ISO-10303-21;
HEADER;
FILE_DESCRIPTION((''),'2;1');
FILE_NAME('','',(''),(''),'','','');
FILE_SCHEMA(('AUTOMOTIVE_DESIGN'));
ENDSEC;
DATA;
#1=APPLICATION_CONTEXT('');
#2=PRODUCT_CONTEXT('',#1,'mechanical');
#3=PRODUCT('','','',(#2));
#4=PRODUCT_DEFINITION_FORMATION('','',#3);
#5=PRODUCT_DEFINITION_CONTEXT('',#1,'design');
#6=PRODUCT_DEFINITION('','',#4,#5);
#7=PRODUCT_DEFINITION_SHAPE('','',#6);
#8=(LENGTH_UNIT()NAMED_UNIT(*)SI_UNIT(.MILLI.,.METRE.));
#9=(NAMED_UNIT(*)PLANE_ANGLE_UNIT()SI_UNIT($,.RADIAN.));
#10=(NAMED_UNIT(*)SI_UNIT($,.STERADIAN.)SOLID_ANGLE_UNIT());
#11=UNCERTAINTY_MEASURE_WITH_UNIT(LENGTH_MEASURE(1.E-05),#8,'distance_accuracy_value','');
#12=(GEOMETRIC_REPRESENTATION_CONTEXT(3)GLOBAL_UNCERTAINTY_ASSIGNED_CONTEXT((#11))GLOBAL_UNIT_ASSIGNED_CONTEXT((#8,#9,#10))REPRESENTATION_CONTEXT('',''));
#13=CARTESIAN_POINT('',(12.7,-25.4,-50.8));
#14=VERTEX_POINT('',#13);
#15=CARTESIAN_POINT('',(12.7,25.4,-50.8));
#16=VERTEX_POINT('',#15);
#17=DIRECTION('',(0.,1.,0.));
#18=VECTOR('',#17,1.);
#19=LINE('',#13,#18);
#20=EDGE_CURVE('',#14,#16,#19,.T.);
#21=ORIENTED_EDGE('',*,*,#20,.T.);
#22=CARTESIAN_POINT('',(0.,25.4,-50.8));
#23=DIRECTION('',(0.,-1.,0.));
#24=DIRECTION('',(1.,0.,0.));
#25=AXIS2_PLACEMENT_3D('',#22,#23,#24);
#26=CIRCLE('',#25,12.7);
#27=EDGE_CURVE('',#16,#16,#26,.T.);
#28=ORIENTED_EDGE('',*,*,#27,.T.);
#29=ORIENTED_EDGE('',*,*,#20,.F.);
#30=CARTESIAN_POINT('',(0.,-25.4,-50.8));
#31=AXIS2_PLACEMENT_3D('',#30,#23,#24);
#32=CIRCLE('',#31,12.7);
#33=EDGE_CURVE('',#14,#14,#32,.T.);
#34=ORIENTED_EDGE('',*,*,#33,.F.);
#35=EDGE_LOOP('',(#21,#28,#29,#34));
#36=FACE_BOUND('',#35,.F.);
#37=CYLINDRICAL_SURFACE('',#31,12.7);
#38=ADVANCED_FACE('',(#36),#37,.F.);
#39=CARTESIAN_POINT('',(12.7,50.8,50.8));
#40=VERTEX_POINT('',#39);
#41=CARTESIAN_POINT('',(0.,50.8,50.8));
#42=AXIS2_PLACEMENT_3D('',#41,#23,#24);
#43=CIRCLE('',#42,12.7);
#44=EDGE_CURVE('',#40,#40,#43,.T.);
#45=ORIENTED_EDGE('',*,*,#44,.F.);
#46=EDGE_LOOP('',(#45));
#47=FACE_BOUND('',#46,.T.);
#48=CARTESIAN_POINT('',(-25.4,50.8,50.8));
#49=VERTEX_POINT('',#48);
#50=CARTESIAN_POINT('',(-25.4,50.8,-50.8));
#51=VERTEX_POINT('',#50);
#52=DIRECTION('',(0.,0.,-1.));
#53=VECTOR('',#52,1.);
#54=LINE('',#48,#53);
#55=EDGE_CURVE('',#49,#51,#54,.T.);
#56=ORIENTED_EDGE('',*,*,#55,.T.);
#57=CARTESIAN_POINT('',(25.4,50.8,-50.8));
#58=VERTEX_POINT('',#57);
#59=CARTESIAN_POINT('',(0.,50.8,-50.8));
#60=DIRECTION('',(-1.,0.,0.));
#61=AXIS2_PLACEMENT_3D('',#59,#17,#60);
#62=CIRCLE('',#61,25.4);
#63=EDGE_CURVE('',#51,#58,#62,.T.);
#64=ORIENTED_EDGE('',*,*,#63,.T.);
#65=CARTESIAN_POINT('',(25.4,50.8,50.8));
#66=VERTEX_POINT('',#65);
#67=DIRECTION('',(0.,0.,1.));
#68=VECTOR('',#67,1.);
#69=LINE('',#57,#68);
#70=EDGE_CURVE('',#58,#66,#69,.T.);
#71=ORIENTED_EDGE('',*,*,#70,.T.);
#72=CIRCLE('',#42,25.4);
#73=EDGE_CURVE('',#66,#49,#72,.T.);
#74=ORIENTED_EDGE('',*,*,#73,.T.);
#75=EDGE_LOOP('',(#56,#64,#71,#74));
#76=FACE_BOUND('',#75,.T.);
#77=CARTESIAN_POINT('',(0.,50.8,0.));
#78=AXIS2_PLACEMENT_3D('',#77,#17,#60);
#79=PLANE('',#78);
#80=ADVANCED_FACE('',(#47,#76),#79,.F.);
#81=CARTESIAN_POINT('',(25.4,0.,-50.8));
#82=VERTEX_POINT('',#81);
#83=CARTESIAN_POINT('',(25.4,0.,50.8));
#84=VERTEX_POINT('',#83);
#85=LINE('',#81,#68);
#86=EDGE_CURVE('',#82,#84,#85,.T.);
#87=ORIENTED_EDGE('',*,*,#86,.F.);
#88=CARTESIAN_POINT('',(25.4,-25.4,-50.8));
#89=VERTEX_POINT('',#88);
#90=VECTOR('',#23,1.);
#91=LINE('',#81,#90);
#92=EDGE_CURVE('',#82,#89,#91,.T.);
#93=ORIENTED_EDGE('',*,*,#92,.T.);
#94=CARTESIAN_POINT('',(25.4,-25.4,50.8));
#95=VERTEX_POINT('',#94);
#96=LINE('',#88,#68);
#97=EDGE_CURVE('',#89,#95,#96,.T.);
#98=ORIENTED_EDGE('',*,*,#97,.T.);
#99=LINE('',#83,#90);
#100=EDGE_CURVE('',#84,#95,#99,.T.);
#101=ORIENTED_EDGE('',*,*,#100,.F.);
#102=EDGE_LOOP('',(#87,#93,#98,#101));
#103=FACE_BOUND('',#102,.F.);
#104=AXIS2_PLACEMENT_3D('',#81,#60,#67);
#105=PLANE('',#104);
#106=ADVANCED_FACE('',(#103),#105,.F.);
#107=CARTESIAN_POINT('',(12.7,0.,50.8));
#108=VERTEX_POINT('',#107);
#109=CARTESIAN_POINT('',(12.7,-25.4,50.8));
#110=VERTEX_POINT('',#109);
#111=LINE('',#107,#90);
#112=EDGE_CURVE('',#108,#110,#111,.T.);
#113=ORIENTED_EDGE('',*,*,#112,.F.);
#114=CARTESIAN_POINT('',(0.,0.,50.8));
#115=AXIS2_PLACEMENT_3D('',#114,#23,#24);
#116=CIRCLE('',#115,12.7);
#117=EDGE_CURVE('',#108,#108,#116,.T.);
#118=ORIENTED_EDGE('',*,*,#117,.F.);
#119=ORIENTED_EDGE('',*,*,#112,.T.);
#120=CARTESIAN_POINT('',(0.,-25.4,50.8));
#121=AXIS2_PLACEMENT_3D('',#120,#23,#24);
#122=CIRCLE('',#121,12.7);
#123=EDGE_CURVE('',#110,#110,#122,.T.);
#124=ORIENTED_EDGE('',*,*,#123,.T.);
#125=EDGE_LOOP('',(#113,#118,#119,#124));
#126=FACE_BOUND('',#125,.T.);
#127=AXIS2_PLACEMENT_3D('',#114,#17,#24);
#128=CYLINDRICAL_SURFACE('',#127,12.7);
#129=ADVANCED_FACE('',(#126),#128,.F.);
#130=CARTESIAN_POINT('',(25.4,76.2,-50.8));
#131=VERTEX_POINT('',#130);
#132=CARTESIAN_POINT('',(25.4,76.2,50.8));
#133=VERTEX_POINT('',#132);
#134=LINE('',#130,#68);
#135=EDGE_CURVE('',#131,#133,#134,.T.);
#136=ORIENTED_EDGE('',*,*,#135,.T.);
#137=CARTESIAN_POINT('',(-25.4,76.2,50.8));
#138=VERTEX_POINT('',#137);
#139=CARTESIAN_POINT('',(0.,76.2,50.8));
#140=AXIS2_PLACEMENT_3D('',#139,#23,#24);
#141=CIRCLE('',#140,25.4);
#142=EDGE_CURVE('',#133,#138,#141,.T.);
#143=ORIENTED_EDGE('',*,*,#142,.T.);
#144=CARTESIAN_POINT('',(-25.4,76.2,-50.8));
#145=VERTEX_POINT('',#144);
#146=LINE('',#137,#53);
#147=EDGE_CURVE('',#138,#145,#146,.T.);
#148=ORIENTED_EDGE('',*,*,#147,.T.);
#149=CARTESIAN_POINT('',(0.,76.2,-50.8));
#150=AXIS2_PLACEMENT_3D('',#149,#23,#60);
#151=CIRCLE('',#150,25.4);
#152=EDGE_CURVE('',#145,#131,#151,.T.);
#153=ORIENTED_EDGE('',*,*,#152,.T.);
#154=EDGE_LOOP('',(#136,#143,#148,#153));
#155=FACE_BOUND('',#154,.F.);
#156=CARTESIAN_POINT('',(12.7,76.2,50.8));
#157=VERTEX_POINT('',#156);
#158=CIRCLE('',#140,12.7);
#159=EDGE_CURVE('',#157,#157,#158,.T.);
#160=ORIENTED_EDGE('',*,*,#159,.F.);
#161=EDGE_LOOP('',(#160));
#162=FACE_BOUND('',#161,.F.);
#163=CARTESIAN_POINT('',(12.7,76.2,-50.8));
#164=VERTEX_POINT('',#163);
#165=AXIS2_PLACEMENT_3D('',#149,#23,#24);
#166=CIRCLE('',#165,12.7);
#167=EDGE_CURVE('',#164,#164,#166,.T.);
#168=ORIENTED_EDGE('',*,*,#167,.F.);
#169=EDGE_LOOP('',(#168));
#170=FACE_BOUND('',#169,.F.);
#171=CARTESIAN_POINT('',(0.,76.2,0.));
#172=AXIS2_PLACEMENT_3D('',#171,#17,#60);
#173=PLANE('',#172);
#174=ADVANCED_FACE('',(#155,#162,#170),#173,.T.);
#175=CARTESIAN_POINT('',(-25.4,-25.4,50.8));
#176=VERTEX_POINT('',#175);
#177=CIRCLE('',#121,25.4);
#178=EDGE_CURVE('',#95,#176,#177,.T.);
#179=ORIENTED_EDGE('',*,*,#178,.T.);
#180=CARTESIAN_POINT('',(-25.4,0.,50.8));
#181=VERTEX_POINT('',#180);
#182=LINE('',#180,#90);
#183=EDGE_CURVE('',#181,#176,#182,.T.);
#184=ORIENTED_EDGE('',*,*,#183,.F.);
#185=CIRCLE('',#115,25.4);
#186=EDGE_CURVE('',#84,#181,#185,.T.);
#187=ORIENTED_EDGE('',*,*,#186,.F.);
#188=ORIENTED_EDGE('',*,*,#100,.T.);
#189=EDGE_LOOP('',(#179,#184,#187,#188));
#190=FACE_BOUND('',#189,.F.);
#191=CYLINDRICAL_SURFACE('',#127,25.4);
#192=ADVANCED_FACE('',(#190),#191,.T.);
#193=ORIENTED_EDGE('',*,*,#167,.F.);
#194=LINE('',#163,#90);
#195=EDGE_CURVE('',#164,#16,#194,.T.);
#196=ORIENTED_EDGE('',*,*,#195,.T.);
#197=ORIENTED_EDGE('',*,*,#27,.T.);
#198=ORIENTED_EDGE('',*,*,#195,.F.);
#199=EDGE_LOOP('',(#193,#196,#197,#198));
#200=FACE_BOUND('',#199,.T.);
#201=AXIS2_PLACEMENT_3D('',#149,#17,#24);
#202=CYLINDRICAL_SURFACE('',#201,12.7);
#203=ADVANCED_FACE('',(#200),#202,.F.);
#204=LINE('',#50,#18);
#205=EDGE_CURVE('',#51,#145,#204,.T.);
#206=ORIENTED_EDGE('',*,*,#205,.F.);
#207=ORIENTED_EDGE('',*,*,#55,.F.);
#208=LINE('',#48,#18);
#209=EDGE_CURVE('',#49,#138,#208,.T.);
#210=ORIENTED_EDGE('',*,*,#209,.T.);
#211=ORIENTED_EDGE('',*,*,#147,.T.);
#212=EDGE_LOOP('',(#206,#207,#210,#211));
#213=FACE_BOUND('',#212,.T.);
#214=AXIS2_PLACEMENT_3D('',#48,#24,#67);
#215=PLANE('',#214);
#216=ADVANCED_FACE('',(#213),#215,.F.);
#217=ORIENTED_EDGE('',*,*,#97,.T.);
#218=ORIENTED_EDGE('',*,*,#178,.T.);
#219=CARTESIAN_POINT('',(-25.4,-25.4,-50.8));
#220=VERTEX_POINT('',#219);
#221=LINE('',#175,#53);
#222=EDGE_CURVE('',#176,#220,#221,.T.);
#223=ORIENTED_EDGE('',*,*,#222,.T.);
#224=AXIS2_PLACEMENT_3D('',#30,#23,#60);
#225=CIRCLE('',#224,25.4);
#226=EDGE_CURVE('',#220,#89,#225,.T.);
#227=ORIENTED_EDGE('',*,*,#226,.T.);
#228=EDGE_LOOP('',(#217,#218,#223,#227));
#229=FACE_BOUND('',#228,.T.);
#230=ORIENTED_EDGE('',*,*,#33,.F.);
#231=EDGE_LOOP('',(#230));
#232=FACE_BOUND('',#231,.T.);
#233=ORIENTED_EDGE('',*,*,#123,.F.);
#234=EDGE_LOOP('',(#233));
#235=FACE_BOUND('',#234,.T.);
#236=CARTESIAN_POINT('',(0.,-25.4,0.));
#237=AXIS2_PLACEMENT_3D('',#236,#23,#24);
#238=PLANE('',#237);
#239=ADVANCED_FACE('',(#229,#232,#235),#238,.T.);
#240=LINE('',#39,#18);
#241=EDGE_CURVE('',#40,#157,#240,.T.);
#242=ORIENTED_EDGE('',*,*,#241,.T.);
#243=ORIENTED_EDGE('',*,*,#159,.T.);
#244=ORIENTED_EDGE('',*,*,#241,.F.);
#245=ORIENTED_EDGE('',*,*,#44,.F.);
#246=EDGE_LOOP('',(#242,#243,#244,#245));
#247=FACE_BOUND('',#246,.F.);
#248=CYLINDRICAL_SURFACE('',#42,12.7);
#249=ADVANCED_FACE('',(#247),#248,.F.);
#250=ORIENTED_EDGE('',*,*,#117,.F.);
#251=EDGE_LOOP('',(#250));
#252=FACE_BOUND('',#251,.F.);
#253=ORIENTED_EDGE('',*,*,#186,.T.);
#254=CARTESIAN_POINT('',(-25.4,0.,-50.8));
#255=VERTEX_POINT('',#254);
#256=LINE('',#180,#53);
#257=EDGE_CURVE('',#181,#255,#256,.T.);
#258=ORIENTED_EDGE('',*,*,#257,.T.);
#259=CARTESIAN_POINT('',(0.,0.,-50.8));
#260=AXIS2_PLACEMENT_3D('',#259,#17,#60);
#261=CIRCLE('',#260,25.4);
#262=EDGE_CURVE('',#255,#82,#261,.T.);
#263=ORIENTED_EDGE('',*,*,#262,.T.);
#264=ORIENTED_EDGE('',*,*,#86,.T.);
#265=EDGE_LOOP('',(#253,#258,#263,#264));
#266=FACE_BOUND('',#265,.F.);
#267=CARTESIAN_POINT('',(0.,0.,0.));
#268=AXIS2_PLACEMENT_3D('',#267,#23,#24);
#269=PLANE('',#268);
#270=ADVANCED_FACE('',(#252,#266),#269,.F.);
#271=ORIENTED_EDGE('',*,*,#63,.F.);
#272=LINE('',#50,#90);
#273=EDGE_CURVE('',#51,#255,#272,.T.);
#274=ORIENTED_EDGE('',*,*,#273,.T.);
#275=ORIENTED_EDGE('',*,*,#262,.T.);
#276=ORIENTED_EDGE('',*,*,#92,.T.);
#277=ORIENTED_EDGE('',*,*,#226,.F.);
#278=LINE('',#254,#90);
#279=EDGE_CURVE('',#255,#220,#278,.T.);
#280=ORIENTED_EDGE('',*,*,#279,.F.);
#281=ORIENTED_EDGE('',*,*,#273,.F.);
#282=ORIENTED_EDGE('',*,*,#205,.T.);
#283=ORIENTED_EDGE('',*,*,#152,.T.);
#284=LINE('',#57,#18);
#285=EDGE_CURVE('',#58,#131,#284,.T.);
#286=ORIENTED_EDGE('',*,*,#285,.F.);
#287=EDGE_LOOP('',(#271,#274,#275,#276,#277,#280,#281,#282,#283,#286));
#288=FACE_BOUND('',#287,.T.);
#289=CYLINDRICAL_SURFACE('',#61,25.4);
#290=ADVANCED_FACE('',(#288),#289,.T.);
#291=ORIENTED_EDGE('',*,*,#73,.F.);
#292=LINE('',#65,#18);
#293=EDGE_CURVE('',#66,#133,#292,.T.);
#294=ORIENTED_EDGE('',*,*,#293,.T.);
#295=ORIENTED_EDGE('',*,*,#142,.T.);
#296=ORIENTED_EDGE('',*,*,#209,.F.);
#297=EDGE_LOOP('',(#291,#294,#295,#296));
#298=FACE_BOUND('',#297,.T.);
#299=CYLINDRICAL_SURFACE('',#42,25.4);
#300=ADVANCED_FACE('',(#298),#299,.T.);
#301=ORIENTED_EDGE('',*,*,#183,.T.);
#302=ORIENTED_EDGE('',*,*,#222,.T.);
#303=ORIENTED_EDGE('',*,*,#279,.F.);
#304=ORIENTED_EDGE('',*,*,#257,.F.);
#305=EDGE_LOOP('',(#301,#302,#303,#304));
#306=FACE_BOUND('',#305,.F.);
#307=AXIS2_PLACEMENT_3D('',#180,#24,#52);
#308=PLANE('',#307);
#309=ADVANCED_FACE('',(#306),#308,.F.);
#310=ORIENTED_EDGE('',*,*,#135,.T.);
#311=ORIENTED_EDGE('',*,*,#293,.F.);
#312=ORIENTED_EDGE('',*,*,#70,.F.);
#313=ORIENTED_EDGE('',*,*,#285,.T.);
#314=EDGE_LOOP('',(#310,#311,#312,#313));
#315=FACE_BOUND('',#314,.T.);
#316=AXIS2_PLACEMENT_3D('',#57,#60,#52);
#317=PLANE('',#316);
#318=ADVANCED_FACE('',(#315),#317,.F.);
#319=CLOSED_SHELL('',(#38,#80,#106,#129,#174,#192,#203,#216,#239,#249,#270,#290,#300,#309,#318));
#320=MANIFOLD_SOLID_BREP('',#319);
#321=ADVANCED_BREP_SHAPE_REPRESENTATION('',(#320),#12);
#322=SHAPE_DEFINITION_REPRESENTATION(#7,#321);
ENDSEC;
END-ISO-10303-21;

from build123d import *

# Parameters (mm, degrees)
F0_R     = 12.7
F1_DEPTH = 25.4
F2_R     = 25.4
F3_DEPTH = 25.4
F4_R     = 12.7
F5_DEPTH = 50.801


with BuildPart() as f1:
    # F0 (on Front) → F1 (new body)
    with BuildSketch(Plane.XZ):
        with BuildLine():
            ThreePointArc((25.4, 50.8), (0, 76.2), (-25.4, 50.8))
            Line((-25.4, 50.8), (-25.4, -50.8))
            ThreePointArc((-25.4, -50.8), (0, -76.2), (25.4, -50.8))
            Line((25.4, -50.8), (25.4, 50.8))
        make_face()
        with Locations((0, -50.8)):
            Circle(F0_R, mode=Mode.SUBTRACT)
        with Locations((0, 50.8)):
            Circle(F0_R, mode=Mode.SUBTRACT)
    extrude(amount=F1_DEPTH)

    # F2 (on face) → F3 (join)
    with BuildSketch(Plane(origin=(0, 0, 0), x_dir=(-1, 0, 0), z_dir=(0, 1, 0))):
        with Locations((0, -50.8)):
            Circle(F2_R)
    extrude(amount=F3_DEPTH)

    # F4 (on face) → F5 (cut, through all)
    with BuildSketch(Plane.XZ.offset(25.4)):
        with Locations((0, -50.8)):
            Circle(F4_R)
    extrude(amount=-F5_DEPTH, mode=Mode.SUBTRACT)

    # F6: F1 across face


with BuildPart() as f1_1:
    add(f1.part)
    add(f1.part.mirror(Plane(origin=(0, 25.4, -50.8), x_dir=(-1, 0, 0), z_dir=(0, 1, 0))))


solid = f1_1.part
